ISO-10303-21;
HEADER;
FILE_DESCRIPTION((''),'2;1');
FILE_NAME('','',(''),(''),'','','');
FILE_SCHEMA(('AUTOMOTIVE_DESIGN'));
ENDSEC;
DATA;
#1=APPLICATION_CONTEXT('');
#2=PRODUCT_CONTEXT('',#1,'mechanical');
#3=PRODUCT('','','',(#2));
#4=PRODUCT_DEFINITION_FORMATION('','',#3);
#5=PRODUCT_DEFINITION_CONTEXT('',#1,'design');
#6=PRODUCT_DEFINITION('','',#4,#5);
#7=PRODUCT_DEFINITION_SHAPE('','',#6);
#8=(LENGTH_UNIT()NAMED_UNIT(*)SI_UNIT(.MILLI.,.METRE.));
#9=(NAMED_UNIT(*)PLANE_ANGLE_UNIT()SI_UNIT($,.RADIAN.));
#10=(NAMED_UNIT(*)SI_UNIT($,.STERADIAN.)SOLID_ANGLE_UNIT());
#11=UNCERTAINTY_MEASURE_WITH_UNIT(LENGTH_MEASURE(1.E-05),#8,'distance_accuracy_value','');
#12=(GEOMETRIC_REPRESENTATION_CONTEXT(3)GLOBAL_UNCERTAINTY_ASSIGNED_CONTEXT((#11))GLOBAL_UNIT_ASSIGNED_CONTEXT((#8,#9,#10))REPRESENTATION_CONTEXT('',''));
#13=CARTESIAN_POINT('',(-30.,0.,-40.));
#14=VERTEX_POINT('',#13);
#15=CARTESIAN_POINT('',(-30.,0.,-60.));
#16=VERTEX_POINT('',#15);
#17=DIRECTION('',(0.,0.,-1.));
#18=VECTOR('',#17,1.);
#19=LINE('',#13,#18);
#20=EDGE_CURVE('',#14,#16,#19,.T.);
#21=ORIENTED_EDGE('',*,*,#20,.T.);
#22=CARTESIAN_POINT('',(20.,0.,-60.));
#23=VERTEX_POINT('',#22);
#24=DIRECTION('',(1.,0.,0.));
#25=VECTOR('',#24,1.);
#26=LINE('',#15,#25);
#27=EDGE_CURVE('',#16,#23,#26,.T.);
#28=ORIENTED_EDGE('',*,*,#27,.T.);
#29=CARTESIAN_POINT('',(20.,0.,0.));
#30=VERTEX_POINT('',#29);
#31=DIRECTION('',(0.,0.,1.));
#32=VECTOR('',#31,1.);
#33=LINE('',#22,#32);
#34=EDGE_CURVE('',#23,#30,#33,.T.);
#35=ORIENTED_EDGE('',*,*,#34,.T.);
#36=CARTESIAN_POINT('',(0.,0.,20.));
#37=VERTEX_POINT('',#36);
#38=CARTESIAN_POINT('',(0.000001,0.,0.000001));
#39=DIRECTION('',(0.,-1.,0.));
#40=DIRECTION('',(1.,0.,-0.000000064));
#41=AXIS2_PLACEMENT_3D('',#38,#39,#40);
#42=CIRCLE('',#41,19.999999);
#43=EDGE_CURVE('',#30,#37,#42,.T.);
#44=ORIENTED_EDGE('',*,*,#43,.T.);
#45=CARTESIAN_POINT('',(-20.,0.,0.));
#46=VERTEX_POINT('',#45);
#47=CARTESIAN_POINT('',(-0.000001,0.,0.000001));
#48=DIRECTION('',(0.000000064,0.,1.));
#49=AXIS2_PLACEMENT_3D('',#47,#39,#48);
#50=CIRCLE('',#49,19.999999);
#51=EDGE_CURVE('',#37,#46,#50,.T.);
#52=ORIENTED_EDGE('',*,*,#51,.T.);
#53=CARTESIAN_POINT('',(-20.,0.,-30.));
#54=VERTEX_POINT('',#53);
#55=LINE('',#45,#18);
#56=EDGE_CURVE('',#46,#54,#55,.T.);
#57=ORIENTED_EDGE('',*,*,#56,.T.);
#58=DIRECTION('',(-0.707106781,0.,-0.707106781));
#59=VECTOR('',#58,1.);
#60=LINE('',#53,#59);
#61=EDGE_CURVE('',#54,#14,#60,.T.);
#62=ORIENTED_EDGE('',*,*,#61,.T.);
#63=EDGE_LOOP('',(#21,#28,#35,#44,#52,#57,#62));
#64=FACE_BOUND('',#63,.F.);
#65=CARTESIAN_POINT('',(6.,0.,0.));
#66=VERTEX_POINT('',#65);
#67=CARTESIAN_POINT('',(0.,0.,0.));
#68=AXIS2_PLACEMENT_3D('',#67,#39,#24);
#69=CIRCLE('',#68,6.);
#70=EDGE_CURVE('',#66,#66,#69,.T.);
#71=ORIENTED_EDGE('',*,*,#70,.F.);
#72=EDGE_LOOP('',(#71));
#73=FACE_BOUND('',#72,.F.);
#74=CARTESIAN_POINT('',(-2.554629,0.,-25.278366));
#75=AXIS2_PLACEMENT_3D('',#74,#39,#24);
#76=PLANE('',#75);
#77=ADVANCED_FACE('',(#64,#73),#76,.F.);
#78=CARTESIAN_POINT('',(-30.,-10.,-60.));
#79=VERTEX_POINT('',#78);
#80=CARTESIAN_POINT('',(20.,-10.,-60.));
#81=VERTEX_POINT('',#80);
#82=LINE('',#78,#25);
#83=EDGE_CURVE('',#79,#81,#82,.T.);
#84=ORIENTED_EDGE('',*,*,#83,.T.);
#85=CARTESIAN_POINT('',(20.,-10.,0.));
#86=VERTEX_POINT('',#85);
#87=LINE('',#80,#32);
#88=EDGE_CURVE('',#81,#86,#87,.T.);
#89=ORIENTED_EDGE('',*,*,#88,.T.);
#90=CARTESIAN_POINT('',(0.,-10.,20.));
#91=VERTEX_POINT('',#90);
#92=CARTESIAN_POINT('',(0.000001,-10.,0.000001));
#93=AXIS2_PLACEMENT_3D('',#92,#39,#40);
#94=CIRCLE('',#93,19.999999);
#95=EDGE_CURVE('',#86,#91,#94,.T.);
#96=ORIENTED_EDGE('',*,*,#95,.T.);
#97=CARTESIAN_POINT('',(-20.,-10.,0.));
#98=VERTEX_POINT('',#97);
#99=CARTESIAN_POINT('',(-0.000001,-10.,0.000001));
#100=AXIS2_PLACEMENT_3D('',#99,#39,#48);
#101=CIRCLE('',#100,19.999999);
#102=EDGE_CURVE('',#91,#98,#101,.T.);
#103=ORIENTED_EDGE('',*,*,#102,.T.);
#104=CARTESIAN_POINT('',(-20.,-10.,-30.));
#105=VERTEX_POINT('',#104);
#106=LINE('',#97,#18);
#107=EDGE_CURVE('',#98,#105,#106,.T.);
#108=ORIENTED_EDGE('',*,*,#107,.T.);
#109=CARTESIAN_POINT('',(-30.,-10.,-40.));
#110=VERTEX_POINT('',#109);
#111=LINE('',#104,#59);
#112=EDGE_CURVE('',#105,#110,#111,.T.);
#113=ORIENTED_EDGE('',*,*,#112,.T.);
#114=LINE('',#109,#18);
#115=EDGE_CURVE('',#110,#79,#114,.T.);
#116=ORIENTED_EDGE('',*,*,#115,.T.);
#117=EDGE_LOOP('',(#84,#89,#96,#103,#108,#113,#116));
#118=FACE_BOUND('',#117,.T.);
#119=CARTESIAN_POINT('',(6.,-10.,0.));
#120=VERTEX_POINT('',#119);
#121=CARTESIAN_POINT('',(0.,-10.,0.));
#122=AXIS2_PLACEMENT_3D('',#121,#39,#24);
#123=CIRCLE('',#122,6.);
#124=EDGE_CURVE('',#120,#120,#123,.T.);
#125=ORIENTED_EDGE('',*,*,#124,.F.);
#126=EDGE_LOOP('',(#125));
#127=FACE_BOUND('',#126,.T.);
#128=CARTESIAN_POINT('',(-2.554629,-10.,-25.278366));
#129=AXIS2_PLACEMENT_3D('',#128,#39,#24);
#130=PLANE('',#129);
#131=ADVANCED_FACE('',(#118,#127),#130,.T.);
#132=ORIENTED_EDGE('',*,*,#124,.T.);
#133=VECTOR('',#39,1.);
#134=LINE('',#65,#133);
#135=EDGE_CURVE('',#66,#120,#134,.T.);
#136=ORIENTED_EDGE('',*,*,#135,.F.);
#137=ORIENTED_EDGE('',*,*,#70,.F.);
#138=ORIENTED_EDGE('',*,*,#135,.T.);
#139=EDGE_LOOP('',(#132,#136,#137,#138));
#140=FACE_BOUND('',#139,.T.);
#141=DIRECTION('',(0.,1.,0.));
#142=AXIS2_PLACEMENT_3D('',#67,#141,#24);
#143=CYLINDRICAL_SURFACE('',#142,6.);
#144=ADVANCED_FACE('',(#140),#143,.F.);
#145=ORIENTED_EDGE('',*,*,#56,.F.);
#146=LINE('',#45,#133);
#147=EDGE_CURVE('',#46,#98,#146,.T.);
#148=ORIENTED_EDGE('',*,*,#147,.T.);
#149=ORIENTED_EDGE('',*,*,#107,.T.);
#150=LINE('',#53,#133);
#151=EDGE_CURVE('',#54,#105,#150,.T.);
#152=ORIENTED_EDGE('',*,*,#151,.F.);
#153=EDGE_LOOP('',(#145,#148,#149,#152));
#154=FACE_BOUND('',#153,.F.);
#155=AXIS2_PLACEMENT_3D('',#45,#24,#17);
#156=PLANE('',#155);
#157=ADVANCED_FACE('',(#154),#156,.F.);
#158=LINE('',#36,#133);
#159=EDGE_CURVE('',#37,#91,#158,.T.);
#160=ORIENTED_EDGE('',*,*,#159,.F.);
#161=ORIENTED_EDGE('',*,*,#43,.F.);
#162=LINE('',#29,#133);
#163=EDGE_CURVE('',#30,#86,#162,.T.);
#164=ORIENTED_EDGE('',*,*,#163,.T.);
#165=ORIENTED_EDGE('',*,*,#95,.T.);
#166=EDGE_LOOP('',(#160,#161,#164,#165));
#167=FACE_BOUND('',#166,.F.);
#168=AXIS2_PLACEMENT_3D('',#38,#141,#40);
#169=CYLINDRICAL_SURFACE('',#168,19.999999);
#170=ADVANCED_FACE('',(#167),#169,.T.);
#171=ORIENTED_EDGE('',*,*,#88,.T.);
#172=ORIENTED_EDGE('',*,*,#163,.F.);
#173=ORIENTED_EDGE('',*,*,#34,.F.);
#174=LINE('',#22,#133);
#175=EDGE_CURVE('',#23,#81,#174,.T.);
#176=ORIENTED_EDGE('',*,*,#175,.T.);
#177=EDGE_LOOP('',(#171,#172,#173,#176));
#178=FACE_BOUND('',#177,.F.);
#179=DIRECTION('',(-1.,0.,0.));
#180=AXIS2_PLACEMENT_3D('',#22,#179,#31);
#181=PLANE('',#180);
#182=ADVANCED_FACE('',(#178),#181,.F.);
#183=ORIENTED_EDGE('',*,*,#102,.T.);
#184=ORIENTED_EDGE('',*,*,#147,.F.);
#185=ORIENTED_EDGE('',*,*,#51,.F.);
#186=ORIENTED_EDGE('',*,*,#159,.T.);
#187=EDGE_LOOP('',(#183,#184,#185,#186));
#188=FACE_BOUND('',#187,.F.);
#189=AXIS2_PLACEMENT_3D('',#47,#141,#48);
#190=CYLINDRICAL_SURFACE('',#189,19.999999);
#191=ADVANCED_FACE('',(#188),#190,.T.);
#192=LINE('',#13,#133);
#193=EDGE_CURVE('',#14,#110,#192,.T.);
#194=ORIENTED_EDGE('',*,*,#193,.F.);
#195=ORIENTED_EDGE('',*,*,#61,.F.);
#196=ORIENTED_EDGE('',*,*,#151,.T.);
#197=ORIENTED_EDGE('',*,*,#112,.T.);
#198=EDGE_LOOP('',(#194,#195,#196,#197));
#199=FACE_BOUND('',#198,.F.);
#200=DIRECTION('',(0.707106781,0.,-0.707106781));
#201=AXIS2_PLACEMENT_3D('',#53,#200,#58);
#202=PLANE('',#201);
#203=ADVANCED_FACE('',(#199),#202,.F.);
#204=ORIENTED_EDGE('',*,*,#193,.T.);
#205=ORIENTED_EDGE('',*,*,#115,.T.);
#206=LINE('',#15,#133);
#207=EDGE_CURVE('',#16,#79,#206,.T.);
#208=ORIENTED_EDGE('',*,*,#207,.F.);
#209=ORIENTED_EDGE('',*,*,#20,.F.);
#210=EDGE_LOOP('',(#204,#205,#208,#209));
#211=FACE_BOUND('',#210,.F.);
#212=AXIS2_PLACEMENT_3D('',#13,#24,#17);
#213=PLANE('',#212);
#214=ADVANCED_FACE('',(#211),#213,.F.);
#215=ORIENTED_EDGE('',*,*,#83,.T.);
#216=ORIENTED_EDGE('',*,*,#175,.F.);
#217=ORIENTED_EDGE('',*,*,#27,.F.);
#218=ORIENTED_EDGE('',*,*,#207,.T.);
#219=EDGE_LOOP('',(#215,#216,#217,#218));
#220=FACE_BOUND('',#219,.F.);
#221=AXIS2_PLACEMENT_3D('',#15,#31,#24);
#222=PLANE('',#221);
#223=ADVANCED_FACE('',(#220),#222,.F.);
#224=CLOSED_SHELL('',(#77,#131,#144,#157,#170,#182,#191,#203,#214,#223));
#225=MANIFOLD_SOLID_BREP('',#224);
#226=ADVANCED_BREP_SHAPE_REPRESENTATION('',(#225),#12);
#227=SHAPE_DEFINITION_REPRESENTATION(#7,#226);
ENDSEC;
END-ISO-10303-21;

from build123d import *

# Parameters (mm, degrees)
F0_R     = 6
F1_DEPTH = 10


with BuildPart() as f1:
    # F0 (on Front) → F1 (new body)
    with BuildSketch(Plane.XZ):
        with BuildLine():
            ThreePointArc((0, 20), (-14.142136, 14.142136), (-20, 0))
            Line((-20, 0), (-20, -30))
            Line((-20, -30), (-30, -40))
            Line((-30, -40), (-30, -60))
            Line((-30, -60), (20, -60))
            Line((20, -60), (20, 0))
            ThreePointArc((20, 0), (14.142136, 14.142136), (0, 20))
        make_face()
        Circle(F0_R, mode=Mode.SUBTRACT)
    extrude(amount=F1_DEPTH)


solid = f1.part
